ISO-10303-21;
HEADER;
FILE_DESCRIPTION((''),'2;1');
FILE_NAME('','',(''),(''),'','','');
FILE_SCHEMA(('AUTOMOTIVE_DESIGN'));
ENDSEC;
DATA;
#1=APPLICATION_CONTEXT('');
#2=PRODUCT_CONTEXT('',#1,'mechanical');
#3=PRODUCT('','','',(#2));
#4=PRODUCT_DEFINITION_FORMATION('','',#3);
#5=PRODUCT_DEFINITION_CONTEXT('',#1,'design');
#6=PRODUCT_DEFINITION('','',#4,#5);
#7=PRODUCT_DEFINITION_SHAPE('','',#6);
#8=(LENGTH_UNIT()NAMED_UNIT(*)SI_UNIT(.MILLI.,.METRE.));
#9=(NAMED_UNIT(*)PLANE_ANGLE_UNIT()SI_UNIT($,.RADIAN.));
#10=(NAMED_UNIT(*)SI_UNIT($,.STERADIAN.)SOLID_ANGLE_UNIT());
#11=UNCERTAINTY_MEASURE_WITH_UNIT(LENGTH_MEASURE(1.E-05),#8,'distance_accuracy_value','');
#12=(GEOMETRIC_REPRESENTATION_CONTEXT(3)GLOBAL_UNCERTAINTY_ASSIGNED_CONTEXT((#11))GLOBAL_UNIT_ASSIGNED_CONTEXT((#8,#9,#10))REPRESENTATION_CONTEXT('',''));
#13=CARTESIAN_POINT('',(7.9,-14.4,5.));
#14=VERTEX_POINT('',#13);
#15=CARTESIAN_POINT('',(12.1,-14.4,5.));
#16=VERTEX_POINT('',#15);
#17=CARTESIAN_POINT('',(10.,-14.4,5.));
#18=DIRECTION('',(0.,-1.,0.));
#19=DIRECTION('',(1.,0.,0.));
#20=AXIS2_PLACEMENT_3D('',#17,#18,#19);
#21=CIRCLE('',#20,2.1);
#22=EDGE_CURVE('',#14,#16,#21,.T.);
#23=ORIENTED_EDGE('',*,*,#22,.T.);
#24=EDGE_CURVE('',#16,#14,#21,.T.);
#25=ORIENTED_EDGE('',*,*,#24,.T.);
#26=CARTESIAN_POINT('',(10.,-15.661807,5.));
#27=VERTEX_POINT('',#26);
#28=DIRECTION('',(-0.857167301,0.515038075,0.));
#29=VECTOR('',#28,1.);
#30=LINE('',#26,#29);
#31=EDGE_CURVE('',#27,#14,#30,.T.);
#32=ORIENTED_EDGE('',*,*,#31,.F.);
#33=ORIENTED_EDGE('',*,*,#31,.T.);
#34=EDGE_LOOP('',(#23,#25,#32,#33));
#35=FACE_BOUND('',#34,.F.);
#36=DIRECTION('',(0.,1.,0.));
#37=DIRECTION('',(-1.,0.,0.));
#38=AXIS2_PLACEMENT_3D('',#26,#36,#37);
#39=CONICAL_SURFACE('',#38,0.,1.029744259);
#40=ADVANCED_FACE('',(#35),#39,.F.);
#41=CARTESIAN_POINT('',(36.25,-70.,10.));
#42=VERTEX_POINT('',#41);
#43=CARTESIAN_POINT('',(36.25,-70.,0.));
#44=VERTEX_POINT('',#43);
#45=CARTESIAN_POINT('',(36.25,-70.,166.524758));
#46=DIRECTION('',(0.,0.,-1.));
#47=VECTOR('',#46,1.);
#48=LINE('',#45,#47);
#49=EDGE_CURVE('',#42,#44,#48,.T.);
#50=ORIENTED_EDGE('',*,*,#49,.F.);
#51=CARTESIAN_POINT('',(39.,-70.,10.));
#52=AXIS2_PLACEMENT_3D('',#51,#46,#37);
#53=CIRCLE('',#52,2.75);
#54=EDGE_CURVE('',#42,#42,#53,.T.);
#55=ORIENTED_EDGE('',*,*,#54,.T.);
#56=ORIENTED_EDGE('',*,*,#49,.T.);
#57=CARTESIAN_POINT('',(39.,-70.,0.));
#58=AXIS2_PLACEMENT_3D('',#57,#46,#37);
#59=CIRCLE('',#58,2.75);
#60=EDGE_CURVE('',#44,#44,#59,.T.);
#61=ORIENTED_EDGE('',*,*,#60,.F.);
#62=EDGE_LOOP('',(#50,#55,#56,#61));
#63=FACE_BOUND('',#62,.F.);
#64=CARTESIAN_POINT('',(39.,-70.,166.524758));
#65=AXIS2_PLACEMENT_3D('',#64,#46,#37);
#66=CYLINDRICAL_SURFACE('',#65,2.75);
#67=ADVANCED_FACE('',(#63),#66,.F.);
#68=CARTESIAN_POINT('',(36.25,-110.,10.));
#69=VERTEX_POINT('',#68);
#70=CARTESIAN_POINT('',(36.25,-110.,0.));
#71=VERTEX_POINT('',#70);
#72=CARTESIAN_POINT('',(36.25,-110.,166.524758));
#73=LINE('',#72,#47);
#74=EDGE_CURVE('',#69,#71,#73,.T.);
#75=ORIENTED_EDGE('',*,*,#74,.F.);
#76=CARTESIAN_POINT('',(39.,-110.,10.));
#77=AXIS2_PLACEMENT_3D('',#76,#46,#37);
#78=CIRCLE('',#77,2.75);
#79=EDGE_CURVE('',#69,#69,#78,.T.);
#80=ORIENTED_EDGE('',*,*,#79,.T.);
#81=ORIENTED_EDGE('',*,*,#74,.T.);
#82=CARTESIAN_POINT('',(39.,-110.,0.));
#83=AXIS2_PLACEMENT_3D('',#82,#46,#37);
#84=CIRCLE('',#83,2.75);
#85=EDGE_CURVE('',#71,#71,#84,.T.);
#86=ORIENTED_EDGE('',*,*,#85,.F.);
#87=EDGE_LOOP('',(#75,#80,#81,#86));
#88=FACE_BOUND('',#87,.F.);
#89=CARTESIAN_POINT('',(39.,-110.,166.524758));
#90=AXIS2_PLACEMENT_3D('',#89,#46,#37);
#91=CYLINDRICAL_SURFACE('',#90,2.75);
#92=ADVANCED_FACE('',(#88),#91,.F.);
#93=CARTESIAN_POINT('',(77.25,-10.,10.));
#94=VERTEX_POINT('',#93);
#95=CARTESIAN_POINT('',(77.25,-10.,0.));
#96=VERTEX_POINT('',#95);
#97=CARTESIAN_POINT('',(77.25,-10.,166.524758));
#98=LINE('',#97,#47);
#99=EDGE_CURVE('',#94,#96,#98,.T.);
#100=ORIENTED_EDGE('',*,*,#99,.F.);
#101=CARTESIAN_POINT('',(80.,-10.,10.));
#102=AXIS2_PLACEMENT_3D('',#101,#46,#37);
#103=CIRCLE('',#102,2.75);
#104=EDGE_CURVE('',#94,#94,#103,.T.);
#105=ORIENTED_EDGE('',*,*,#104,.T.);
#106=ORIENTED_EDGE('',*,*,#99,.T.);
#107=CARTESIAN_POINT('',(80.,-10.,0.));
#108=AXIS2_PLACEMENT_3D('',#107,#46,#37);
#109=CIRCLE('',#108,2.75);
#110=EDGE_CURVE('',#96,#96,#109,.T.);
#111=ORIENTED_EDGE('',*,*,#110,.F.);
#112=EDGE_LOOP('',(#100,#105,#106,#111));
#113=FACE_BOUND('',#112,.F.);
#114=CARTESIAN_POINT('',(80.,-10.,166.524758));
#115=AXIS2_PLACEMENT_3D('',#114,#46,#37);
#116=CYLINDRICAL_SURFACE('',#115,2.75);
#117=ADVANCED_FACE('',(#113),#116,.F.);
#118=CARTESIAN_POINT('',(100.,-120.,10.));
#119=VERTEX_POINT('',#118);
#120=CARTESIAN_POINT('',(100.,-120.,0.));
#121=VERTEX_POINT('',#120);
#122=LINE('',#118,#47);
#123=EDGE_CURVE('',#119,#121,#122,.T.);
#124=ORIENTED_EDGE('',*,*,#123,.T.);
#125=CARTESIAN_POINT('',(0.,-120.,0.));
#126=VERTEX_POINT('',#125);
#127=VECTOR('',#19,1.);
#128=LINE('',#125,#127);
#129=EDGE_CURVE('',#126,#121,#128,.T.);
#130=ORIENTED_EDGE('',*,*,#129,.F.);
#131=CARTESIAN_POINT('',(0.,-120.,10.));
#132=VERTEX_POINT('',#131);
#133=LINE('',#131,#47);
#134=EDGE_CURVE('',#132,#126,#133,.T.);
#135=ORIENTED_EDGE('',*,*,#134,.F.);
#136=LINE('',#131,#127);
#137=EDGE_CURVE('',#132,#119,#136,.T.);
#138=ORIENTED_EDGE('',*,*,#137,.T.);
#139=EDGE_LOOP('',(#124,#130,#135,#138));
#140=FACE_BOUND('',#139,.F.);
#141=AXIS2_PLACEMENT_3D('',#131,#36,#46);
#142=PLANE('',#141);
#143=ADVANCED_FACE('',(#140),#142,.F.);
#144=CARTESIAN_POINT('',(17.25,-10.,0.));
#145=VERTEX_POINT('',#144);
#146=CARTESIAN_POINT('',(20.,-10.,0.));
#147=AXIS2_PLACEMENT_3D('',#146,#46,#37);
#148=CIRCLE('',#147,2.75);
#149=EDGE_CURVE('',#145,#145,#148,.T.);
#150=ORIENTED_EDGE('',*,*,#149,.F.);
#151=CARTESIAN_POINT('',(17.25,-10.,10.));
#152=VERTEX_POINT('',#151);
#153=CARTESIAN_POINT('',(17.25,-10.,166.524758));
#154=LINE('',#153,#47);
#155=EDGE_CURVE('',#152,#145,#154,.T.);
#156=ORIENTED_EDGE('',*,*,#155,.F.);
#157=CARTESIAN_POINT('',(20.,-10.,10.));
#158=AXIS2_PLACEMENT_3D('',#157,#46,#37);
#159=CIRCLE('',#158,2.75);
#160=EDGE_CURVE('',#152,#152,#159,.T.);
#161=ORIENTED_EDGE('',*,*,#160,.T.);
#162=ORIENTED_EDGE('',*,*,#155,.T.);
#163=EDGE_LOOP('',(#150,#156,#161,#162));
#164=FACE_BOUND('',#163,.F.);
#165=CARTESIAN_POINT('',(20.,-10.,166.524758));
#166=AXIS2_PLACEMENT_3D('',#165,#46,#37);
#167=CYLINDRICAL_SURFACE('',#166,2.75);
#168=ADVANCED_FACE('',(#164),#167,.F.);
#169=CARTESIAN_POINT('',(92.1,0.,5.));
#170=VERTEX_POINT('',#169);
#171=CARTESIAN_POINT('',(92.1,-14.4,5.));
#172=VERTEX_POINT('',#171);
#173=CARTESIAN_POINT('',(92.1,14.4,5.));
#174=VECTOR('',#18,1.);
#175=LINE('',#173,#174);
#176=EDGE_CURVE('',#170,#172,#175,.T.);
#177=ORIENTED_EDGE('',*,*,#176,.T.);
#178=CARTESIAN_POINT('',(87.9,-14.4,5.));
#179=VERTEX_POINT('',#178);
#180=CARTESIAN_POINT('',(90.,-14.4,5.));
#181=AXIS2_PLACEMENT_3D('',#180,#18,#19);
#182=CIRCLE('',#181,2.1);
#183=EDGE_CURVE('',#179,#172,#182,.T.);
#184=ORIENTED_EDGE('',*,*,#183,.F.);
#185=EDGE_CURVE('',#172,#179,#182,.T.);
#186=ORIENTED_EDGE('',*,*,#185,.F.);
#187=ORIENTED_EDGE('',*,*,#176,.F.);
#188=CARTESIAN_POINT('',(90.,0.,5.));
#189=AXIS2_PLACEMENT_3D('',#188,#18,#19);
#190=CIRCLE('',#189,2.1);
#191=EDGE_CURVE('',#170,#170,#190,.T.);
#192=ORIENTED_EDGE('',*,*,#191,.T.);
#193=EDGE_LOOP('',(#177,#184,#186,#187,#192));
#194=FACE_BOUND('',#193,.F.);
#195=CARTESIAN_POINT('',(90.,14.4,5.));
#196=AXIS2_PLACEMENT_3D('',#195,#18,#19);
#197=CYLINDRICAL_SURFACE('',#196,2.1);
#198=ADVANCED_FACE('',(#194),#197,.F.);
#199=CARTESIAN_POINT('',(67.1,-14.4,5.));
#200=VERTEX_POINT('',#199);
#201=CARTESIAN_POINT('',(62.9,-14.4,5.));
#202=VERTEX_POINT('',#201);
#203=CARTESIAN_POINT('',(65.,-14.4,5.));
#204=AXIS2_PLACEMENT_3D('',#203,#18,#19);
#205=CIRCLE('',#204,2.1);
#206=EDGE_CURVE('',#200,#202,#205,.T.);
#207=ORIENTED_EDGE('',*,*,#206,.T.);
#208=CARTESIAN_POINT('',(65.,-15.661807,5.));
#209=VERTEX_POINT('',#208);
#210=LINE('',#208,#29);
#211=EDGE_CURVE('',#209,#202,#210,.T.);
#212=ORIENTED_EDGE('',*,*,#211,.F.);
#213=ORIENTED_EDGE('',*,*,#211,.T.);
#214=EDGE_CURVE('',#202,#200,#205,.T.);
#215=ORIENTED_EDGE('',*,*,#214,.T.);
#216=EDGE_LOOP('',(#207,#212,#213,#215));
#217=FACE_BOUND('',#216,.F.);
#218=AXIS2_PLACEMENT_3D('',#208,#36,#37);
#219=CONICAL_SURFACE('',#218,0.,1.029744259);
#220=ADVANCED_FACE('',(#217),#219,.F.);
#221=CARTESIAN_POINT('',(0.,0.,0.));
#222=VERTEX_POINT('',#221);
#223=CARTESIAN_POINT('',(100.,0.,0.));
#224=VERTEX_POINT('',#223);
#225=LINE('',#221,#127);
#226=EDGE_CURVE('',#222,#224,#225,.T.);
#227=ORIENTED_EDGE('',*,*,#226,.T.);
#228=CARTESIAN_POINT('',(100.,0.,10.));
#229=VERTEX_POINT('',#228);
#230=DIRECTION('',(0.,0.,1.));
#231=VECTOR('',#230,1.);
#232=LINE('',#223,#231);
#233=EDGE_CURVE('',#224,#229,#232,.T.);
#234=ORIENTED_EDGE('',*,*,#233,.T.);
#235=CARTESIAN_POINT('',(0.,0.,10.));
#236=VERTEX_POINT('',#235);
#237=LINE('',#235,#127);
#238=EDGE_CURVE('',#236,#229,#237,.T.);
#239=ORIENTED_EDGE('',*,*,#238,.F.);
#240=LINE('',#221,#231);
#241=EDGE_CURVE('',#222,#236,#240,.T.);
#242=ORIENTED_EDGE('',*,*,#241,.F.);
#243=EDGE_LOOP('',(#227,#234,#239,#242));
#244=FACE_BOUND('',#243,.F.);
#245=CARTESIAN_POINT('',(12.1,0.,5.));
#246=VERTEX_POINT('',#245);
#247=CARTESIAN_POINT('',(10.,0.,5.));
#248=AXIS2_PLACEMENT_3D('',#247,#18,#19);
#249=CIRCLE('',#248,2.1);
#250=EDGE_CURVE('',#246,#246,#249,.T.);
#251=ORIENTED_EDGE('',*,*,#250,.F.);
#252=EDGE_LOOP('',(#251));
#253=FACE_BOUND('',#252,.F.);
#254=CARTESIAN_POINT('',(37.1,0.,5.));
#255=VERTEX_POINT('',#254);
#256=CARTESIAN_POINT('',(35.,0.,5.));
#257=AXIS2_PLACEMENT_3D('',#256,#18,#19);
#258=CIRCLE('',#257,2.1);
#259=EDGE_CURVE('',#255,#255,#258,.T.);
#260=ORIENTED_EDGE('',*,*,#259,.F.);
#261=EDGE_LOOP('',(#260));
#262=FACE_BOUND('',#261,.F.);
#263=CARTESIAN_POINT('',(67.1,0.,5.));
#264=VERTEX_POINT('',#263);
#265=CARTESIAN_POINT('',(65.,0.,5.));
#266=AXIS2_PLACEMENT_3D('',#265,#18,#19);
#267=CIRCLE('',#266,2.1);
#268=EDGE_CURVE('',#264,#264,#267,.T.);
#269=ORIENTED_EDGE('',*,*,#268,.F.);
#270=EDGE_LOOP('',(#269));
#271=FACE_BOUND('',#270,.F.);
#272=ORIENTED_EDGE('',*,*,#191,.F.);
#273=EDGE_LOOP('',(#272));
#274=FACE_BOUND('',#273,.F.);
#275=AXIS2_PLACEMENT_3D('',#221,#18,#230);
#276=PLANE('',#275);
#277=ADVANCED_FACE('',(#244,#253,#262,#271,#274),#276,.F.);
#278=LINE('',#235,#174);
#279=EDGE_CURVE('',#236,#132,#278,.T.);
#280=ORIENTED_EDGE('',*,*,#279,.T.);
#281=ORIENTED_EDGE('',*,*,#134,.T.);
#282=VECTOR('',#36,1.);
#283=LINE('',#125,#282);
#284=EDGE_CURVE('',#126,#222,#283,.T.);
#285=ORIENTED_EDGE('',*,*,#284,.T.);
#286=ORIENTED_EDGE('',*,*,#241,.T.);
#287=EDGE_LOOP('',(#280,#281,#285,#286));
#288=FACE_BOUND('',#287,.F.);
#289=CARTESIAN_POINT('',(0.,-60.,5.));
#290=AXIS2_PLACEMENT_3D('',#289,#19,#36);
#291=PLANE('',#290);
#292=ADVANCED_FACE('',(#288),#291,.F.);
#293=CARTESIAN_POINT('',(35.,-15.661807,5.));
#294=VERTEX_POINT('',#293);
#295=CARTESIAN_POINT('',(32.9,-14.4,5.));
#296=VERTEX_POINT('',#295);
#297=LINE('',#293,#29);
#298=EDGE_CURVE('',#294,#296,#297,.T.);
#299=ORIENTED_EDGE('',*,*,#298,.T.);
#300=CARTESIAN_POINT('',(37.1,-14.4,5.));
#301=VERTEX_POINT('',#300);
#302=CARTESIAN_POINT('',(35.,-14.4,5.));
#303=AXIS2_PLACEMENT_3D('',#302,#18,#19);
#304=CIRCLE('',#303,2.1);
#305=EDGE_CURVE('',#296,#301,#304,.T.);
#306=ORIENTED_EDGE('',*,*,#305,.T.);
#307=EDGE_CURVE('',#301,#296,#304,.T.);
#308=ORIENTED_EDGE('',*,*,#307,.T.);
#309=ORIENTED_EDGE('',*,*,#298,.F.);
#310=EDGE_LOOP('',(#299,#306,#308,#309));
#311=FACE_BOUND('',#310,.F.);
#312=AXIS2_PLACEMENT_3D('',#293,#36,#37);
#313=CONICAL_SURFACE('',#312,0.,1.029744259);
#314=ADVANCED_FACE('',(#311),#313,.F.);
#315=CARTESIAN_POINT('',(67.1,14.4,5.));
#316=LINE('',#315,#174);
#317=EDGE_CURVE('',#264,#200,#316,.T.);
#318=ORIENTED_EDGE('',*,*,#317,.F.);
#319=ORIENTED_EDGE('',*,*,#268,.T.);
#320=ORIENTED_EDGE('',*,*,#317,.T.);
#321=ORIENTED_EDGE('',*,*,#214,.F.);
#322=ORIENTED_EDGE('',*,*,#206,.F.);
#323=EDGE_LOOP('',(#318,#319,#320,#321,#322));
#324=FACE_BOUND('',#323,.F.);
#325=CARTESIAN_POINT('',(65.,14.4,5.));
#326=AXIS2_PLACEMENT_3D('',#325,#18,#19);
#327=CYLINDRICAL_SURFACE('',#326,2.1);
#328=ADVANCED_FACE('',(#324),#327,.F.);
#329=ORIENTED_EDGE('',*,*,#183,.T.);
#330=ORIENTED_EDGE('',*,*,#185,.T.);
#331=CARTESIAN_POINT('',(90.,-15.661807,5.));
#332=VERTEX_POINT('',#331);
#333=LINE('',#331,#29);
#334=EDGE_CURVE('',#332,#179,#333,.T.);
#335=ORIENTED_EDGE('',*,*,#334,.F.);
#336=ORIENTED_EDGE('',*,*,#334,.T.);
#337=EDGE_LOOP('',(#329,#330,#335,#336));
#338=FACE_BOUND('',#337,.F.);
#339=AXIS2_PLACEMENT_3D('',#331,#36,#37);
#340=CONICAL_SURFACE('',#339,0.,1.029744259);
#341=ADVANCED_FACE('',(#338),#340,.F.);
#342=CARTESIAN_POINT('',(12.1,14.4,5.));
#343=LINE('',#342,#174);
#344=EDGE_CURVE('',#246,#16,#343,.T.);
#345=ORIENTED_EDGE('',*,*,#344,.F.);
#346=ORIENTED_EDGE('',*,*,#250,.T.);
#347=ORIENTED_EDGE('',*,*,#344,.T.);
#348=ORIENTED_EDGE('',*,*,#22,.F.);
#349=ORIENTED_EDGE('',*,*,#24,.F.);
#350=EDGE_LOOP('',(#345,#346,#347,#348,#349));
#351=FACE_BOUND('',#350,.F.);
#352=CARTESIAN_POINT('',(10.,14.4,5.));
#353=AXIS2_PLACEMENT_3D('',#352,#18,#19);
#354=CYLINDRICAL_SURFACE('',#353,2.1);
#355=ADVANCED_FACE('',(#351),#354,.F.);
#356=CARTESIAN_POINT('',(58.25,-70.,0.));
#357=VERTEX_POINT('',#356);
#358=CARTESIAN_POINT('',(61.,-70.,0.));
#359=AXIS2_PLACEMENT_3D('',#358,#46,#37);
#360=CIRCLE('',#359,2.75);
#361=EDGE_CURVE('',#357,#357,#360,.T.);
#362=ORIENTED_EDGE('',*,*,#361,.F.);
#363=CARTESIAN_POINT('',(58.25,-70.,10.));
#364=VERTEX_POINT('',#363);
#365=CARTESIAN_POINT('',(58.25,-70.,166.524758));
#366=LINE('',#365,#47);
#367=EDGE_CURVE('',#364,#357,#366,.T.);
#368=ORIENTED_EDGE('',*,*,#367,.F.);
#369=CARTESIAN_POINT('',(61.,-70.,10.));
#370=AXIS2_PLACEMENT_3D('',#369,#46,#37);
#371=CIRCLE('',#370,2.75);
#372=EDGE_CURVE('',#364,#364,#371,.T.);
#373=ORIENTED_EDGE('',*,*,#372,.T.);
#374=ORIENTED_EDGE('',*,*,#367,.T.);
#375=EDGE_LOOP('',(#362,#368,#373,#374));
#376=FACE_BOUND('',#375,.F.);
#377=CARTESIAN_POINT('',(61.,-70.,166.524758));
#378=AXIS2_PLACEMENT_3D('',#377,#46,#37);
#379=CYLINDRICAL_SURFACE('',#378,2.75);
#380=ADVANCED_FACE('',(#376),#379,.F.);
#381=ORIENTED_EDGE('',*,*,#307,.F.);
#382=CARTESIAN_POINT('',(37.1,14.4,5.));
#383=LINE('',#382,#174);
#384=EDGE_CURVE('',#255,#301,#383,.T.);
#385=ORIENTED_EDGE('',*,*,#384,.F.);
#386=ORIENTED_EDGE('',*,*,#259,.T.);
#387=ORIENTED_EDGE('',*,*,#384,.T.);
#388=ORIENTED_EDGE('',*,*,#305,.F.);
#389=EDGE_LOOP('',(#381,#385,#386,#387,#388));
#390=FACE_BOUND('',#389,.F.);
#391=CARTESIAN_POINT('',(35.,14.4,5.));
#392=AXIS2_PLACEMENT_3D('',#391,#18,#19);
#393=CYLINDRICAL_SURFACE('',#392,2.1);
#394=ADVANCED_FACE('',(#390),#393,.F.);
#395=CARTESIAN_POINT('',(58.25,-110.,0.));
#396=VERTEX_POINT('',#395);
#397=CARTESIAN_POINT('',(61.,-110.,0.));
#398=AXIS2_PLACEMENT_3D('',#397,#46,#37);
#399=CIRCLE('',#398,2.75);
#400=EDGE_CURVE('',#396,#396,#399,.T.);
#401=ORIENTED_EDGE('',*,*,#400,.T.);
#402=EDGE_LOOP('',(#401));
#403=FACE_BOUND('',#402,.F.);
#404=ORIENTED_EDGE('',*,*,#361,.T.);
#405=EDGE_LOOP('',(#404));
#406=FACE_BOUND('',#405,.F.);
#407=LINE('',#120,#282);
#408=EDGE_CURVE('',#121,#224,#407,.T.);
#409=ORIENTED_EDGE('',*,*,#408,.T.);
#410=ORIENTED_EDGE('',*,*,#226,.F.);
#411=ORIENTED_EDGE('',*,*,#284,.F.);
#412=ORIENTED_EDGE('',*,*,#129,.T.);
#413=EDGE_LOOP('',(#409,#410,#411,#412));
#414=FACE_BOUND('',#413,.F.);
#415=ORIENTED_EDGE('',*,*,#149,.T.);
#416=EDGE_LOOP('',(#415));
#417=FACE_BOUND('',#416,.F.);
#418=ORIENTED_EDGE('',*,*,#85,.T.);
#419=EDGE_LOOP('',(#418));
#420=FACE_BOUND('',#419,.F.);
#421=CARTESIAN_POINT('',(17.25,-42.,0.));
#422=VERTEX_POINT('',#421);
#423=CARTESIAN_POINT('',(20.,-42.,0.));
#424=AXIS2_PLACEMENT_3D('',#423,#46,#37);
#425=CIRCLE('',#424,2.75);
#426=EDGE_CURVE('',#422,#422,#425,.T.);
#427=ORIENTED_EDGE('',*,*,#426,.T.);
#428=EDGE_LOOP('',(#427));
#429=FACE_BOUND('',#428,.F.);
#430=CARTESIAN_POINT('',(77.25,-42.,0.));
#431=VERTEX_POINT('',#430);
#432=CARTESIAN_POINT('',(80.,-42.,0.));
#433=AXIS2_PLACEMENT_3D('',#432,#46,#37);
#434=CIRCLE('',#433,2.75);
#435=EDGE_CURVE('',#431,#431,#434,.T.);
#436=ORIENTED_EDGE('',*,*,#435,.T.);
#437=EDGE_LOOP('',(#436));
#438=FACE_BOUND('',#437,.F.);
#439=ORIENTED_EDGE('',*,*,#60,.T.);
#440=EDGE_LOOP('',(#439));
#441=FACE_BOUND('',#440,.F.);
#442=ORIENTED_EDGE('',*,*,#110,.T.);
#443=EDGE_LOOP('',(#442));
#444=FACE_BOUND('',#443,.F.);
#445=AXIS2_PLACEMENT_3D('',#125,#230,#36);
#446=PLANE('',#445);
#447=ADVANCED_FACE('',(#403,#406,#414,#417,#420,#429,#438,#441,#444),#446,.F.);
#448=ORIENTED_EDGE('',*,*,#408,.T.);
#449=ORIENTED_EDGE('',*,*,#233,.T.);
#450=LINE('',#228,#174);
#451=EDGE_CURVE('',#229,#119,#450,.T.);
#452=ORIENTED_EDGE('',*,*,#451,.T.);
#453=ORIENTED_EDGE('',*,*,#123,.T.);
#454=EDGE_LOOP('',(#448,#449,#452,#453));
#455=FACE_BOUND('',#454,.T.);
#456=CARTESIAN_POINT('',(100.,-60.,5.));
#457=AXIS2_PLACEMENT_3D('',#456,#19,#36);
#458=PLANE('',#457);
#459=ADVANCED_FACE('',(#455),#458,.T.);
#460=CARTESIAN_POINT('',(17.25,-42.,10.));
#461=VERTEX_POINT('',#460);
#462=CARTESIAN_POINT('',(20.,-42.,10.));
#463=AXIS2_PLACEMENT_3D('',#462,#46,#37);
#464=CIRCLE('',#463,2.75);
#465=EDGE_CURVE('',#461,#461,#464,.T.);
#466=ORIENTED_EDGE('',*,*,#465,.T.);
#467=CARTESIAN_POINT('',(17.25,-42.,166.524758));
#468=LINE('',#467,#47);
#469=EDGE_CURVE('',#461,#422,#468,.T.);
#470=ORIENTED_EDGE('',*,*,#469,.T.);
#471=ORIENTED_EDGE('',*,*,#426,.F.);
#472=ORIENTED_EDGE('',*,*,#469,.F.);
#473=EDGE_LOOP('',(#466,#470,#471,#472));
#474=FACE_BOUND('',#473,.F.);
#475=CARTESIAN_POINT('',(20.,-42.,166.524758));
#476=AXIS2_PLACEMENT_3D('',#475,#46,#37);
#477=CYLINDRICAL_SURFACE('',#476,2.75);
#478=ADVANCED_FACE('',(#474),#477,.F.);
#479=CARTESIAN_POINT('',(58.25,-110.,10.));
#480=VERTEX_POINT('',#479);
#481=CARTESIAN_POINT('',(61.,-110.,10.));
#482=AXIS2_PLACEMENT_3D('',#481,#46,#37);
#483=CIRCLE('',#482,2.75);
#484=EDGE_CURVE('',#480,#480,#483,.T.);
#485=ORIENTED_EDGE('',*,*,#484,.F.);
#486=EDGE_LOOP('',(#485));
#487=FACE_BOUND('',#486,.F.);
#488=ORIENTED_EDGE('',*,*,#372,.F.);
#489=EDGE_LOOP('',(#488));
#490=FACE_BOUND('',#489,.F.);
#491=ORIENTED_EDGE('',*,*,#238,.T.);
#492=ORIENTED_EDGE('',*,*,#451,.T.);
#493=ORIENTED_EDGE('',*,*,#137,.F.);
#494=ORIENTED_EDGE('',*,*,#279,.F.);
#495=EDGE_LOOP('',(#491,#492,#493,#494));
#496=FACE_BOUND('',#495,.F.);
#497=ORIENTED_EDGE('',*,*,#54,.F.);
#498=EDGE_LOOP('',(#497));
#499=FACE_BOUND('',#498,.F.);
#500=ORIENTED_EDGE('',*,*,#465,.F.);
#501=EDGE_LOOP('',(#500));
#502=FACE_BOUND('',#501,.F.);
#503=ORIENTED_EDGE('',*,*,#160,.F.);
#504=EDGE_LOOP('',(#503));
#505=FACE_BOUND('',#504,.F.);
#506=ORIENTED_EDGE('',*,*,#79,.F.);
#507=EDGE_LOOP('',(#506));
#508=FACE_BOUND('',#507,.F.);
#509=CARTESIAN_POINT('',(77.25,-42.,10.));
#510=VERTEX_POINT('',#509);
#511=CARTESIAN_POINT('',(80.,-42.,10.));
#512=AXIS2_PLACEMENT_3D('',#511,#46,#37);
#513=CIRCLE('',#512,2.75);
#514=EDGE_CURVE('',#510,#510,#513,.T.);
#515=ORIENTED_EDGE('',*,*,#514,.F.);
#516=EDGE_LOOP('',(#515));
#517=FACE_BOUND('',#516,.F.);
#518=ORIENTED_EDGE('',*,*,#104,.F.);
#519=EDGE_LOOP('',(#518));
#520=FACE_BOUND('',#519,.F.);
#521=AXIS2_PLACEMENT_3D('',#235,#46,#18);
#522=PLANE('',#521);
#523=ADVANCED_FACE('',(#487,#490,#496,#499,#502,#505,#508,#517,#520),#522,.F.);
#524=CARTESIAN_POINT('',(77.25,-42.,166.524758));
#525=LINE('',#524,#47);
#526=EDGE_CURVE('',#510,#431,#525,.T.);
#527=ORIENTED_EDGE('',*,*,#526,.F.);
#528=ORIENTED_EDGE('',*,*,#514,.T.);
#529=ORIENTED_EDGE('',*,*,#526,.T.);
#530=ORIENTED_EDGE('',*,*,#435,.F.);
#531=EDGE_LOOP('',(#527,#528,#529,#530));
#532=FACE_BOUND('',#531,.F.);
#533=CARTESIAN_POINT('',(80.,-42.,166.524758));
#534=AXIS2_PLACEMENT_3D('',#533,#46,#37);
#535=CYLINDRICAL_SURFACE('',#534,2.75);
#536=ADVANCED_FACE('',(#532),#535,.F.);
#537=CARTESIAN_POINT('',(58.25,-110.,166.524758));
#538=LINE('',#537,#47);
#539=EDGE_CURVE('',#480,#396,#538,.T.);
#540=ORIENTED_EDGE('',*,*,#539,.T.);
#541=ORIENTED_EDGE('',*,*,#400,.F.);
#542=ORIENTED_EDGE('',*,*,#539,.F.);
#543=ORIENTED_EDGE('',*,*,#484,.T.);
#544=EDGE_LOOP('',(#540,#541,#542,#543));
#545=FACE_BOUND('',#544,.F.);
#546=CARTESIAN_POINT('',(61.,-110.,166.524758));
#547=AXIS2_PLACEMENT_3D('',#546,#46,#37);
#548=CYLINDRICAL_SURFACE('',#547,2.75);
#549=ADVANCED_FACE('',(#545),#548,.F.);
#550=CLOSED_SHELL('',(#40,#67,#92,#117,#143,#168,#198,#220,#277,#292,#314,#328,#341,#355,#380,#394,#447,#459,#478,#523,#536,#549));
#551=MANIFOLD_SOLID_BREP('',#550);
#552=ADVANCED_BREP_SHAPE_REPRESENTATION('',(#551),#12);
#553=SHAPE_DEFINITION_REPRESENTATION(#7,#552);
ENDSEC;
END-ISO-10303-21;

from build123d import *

# Parameters (mm, degrees)
F1_DEPTH = 100
F3_D     = 5.5
F5_D     = 4.2
F5_DEPTH = 14.4
F5_TIP   = 1.2618073


with BuildPart() as f1:
    # F0 (on Right) → F1 (new body)
    with BuildSketch(Plane.YZ):
        Polygon((-120, 0), (0, 0), (0, 10), (-10, 10), (-120, 10), align=None)
    extrude(amount=F1_DEPTH)

    # F3 (through all)
    with Locations(Plane.XY.offset(10)):
        with Locations((80, -10), (80, -42), (20, -42), (20, -10), (39, -70), (61, -70), (61, -110), (39, -110)):
            Hole(F3_D / 2)

    # F5
    with Locations(Plane(origin=(0, 0, 0), x_dir=(-1, 0, 0), z_dir=(0, 1, 0))):
        with Locations((-90, 5), (-65, 5), (-35, 5), (-10, 5)):
            Hole(F5_D / 2, depth=F5_DEPTH)
            with Locations((0, 0, -(F5_DEPTH + F5_TIP / 2))):  # 118° drill point
                Cone(0, F5_D / 2, F5_TIP, mode=Mode.SUBTRACT)


solid = f1.part
